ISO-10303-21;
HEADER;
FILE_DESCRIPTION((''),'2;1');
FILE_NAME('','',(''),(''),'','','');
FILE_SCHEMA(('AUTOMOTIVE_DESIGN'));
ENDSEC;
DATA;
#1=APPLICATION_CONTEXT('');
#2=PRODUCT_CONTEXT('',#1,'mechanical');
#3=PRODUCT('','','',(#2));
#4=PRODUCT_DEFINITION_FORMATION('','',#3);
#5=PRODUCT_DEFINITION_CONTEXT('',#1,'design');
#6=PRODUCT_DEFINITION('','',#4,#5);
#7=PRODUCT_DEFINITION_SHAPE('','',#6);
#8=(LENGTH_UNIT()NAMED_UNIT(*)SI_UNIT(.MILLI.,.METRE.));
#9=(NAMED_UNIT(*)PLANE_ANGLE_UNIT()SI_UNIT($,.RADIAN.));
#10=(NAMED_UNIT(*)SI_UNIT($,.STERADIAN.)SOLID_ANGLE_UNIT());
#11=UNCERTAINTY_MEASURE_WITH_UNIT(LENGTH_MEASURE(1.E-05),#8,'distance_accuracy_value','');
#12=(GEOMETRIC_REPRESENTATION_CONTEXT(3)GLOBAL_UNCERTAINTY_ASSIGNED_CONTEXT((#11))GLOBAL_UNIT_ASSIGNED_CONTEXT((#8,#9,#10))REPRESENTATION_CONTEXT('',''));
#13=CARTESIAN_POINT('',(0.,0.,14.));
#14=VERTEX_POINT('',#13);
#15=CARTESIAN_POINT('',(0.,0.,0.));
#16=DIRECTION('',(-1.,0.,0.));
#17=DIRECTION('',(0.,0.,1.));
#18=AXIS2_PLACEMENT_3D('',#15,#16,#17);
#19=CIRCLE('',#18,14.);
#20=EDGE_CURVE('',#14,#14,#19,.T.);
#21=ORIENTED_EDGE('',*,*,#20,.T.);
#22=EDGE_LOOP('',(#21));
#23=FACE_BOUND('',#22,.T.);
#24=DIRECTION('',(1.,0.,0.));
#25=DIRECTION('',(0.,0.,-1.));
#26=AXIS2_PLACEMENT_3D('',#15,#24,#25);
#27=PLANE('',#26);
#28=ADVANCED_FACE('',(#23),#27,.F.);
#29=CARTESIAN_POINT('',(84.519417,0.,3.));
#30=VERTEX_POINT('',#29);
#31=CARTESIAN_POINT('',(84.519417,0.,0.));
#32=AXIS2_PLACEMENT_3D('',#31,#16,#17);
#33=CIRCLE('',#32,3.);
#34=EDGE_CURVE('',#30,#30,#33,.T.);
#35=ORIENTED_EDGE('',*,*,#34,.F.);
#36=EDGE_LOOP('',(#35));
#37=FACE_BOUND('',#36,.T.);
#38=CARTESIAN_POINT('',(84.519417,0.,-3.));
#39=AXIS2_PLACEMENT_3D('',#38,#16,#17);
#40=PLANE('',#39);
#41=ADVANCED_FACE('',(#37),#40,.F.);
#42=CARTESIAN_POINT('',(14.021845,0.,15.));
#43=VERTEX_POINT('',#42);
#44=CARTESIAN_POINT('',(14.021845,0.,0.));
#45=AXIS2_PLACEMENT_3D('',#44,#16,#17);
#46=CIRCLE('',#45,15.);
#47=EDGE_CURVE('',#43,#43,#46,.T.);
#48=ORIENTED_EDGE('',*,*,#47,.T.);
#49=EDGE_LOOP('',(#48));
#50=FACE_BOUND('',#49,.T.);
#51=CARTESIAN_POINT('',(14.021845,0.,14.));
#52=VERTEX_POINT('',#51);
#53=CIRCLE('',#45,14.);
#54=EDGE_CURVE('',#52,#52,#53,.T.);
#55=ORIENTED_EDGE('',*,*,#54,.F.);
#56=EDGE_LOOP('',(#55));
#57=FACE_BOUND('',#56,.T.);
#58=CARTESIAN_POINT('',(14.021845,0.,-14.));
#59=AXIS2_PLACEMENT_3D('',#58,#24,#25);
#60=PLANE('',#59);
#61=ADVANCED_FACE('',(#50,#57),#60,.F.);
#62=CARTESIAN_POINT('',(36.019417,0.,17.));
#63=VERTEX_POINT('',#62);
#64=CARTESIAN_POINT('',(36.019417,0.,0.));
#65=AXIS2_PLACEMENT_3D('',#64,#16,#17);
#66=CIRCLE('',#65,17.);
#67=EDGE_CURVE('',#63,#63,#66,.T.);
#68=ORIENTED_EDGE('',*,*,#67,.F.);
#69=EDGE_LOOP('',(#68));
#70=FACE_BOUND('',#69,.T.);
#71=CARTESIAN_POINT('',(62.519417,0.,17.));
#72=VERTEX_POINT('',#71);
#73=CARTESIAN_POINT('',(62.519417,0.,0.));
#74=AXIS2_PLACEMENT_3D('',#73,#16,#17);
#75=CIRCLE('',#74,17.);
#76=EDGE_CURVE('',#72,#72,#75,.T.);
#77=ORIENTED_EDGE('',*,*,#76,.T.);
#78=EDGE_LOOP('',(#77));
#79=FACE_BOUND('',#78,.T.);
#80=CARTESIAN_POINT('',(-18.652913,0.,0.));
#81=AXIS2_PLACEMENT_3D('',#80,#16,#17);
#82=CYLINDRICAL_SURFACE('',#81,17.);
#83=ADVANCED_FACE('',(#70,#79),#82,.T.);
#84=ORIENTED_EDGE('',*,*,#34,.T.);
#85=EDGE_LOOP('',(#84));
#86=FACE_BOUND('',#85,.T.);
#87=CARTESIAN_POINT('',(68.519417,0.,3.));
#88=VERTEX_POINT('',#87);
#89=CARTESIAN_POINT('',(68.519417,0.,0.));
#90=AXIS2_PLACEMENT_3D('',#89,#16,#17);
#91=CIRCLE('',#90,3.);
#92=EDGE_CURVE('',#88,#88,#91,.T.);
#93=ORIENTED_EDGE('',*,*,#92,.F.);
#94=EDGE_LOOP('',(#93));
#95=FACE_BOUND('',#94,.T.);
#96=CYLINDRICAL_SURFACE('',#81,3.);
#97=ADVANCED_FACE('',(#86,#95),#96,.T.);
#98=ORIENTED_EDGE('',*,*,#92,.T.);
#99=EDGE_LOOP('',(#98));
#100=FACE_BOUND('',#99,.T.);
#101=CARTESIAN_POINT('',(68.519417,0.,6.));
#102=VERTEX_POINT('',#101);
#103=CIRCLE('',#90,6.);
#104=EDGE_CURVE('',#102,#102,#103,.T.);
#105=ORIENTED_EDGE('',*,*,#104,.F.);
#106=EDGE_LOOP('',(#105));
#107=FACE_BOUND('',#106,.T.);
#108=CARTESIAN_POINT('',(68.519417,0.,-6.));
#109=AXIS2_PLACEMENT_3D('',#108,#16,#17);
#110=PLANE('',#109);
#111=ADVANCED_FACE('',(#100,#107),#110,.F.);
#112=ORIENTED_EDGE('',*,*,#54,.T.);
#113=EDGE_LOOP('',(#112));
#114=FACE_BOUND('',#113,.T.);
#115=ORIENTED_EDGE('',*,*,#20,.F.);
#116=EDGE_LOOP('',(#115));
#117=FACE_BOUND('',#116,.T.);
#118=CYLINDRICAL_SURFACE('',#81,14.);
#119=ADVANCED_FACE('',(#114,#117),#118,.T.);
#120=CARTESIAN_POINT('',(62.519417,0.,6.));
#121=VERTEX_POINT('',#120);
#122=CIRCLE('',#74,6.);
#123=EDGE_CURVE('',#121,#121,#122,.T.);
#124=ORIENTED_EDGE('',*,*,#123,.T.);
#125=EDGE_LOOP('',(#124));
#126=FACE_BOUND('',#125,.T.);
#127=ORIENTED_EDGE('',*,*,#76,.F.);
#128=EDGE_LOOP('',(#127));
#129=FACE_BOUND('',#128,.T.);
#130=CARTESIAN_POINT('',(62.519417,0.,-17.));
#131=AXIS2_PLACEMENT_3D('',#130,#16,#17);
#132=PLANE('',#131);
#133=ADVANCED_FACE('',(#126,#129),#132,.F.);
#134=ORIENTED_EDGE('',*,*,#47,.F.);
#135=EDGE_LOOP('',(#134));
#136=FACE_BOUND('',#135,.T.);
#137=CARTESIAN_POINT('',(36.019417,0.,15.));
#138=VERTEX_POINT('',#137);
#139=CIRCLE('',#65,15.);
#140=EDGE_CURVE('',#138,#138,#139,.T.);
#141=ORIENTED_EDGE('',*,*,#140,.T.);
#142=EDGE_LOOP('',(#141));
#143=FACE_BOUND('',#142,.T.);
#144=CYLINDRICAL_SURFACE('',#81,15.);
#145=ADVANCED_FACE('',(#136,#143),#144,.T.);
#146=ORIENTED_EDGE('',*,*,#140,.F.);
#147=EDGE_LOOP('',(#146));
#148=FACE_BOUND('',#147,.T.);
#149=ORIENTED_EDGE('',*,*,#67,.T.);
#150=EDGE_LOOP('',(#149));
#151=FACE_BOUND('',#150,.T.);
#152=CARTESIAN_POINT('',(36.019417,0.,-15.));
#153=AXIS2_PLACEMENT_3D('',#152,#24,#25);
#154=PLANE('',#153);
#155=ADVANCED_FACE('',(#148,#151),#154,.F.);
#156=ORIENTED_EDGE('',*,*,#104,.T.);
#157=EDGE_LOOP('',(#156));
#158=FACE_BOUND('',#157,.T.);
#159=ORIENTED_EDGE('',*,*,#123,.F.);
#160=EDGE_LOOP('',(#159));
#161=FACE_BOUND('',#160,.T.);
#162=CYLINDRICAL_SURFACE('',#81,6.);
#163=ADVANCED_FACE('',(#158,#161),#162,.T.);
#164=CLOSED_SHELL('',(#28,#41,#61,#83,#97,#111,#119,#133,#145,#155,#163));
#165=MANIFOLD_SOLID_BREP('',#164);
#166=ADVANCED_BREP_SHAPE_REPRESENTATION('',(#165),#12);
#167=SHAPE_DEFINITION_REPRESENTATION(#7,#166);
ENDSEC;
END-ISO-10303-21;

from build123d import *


with BuildPart() as part:
    # Sketch1 → Revolve1 (revolve)
    with BuildSketch(Plane(origin=(0, 0, 0), x_dir=(1, 0, 0), z_dir=(0, 1, 0))):
        Polygon((0, 0), (0, 14), (14.02184466, 14), (14.02184466, 15), (36.019417476, 15), (36.019417476, 17), (62.519417476, 17), (62.519417476, 6), (68.519417476, 6), (68.519417476, 3), (84.519417476, 3), (84.519417476, 0), align=None)
    revolve(axis=Axis((-18.652912621, 0, 0), (1, 0, 0)))


solid = part.part
